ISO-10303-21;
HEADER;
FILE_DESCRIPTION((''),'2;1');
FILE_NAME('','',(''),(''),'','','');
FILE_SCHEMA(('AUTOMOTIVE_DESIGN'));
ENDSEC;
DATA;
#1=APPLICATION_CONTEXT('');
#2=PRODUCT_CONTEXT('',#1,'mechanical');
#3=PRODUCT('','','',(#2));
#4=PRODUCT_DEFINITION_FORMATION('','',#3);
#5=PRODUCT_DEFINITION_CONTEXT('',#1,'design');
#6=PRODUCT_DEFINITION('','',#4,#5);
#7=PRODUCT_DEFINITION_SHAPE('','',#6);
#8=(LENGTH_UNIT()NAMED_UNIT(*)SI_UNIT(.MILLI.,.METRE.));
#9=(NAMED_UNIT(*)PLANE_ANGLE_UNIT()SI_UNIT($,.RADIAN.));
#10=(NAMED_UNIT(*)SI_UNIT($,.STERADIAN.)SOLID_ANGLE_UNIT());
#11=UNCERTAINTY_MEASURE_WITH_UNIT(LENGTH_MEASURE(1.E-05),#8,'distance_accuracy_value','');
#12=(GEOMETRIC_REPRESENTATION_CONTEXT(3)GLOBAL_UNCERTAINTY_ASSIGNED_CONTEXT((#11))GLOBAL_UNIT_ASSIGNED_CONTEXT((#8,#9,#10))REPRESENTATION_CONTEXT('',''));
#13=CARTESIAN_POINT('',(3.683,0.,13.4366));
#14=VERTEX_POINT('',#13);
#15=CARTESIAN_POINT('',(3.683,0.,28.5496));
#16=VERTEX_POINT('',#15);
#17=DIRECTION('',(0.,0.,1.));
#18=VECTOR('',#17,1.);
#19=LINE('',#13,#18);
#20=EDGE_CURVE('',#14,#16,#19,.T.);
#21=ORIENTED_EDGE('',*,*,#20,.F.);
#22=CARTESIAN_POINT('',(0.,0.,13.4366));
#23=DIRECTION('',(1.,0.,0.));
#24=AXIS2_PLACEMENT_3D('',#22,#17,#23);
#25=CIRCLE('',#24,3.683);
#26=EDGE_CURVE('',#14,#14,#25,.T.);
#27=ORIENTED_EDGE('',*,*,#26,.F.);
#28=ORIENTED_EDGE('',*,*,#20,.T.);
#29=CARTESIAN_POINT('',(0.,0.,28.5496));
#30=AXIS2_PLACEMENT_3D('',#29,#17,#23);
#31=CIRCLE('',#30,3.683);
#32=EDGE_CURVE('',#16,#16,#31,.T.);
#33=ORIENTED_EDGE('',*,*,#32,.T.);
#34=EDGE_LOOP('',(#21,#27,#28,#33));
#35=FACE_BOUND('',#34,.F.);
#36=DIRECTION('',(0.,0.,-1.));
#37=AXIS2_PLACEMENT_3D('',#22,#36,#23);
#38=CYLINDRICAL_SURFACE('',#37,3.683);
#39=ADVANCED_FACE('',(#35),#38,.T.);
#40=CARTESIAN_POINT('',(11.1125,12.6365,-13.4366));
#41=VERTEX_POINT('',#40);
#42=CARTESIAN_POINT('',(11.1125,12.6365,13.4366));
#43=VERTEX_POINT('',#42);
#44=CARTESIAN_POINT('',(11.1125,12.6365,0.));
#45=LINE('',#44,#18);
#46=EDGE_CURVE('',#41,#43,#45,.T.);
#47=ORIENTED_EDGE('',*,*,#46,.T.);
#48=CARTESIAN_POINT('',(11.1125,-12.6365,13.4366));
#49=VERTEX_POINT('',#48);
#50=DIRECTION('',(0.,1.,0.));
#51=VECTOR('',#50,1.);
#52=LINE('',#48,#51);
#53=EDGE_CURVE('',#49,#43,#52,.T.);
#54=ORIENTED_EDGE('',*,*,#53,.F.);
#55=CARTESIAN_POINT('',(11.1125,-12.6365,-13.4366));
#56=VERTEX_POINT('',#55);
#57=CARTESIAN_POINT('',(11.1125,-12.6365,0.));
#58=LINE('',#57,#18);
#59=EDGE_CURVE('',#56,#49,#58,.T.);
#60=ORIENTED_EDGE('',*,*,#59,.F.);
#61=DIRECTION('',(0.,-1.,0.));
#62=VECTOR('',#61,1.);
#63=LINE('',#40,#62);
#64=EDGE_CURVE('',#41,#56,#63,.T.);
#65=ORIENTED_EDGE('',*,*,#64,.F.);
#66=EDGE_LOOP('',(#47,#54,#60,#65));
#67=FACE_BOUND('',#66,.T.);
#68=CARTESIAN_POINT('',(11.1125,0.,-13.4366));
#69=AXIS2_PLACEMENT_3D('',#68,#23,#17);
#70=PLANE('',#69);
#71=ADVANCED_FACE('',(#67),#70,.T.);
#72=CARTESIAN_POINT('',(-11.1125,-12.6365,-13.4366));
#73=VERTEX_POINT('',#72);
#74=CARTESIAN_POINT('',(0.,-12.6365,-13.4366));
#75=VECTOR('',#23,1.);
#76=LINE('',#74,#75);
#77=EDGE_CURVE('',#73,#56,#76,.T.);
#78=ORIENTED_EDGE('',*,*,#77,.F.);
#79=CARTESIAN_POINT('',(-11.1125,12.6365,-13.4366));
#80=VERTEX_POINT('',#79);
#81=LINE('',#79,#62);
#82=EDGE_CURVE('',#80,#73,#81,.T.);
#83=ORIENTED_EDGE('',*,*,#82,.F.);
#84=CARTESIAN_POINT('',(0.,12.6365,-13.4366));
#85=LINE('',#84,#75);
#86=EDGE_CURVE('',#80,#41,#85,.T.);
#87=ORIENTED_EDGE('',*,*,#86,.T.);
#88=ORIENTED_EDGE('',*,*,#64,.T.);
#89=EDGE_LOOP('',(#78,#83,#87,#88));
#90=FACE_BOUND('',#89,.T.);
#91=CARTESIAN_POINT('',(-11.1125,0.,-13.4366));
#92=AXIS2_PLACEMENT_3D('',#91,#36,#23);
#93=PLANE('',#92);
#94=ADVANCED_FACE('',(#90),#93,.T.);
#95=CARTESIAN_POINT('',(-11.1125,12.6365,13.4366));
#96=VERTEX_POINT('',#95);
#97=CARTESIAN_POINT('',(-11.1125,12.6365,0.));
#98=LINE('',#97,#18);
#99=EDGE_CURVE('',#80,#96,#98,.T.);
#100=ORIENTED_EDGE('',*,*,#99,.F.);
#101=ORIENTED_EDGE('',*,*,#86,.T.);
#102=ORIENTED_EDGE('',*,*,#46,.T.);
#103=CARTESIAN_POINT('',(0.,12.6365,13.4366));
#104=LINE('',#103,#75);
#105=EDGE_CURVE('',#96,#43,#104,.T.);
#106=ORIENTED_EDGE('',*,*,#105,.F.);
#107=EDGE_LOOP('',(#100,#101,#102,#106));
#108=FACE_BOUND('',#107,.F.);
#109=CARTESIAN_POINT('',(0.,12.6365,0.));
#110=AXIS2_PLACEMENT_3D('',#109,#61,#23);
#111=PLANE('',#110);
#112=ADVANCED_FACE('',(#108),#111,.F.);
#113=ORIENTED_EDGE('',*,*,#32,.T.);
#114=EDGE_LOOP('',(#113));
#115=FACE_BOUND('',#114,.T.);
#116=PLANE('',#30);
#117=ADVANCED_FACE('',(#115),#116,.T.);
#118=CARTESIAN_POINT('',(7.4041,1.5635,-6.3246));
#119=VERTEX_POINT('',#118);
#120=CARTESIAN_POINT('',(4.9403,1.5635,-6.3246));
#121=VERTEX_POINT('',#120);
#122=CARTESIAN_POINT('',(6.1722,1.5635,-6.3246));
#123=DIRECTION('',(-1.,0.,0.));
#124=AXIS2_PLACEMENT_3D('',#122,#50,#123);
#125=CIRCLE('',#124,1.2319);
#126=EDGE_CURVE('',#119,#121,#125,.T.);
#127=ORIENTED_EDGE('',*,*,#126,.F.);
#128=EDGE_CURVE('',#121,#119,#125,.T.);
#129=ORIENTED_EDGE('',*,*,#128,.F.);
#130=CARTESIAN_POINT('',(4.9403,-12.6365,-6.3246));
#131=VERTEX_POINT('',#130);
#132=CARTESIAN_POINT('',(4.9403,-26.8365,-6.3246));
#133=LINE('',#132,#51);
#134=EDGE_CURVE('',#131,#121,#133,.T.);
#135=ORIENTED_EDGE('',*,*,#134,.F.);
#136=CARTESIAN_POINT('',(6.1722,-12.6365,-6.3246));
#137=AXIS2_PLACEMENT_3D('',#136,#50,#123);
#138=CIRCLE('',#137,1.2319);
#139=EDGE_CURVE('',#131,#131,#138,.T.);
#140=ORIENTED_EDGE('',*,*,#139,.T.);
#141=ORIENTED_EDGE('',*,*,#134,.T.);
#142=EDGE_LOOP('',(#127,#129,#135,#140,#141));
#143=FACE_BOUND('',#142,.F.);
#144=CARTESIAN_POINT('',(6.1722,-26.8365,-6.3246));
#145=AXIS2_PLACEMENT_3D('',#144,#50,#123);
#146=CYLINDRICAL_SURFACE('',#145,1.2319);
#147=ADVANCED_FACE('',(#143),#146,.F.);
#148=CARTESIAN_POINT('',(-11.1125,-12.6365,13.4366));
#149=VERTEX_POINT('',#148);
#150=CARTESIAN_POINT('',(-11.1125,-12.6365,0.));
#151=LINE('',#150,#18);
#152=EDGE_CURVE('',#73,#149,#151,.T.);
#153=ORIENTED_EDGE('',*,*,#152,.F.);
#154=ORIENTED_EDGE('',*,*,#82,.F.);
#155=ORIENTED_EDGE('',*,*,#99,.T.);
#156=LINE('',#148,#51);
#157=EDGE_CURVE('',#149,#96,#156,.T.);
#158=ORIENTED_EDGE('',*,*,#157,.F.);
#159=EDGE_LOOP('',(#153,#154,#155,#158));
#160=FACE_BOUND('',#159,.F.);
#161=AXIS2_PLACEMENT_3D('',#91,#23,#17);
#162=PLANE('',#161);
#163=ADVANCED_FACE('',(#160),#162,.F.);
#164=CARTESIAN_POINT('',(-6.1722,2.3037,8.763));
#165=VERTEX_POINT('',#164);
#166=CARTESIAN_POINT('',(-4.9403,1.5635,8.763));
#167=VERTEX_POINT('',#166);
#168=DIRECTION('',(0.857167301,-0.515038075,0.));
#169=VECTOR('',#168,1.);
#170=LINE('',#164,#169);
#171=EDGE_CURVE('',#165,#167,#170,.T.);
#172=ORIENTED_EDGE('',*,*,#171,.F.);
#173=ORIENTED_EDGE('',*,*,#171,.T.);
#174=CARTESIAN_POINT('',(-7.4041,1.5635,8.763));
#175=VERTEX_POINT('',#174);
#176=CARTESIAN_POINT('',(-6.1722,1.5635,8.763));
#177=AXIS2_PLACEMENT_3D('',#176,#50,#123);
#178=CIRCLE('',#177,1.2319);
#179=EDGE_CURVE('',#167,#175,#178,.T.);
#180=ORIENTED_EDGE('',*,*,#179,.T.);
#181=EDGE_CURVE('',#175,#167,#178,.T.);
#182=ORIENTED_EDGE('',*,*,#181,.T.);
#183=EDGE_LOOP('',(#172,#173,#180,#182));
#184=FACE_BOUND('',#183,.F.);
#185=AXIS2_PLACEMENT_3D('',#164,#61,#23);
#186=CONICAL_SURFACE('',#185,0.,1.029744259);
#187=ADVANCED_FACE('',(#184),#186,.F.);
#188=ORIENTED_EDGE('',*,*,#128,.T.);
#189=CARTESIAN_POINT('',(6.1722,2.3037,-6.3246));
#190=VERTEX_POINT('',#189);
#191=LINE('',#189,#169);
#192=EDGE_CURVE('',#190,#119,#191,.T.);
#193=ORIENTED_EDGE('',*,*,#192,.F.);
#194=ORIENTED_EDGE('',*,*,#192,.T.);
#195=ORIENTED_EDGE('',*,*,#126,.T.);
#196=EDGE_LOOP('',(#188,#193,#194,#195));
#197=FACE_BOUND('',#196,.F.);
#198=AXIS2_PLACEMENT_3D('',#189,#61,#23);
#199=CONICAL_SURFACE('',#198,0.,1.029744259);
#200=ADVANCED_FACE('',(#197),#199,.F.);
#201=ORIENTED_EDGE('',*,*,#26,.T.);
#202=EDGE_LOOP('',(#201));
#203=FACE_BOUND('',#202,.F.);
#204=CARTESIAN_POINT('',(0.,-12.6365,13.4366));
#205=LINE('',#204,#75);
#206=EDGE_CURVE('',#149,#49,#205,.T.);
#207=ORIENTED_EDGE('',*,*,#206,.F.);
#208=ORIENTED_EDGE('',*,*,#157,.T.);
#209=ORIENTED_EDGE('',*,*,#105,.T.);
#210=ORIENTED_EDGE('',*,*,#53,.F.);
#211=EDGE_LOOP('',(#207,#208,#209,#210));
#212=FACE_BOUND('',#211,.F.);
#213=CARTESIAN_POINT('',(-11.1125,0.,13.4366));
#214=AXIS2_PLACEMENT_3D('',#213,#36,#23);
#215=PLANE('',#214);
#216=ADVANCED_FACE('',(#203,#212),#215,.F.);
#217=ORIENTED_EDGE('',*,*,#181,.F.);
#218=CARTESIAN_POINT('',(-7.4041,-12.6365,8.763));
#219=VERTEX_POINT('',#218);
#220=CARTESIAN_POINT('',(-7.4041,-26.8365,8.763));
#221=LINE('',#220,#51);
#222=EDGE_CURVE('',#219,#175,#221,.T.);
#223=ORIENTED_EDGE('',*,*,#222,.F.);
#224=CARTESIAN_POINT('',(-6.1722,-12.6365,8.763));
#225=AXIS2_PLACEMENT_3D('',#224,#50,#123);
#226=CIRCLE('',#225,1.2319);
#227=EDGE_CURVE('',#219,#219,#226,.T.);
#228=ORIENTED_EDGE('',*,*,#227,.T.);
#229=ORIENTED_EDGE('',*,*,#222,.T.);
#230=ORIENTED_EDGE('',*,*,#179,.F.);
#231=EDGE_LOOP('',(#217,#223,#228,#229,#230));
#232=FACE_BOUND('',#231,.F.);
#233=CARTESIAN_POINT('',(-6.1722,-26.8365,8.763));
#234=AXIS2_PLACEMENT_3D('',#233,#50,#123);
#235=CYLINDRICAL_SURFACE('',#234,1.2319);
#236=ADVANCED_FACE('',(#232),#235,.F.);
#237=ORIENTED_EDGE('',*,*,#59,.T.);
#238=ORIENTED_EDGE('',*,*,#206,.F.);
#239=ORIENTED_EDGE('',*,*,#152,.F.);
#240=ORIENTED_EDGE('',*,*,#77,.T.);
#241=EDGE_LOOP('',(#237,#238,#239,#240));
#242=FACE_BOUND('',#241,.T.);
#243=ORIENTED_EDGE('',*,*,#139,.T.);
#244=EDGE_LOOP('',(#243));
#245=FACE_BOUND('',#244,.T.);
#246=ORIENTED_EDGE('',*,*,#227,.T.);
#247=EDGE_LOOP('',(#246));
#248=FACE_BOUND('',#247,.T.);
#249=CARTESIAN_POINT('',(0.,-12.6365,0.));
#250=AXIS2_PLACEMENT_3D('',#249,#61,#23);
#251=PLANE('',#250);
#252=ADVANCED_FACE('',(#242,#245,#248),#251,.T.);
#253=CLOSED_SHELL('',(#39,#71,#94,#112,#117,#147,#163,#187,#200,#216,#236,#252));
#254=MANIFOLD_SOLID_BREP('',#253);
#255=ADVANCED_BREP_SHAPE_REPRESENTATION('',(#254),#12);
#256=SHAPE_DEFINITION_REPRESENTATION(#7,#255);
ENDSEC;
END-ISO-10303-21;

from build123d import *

# Parameters (mm, degrees)
F0_W     = 22.225
F0_H     = 26.8732
F1_DEPTH = 12.6365
F2_R     = 3.683
F3_DEPTH = 15.113
F5_D     = 2.4638
F5_DEPTH = 14.2
F5_TIP   = 0.7402001966


with BuildPart() as f1:
    # F0 (on Front) → F1 (new body, symmetric)
    with BuildSketch(Plane.XZ):
        Rectangle(F0_W, F0_H)
    extrude(amount=F1_DEPTH, both=True)

    # F2 (on face) → F3 (join)
    with BuildSketch(Plane.XY.offset(13.4366)):
        Circle(F2_R)
    extrude(amount=F3_DEPTH)

    # F5
    with Locations(Plane.XZ.offset(12.6365)):
        with Locations((-6.1722, 8.763), (6.1722, -6.3246)):
            Hole(F5_D / 2, depth=F5_DEPTH)
            with Locations((0, 0, -(F5_DEPTH + F5_TIP / 2))):  # 118° drill point
                Cone(0, F5_D / 2, F5_TIP, mode=Mode.SUBTRACT)


solid = f1.part
